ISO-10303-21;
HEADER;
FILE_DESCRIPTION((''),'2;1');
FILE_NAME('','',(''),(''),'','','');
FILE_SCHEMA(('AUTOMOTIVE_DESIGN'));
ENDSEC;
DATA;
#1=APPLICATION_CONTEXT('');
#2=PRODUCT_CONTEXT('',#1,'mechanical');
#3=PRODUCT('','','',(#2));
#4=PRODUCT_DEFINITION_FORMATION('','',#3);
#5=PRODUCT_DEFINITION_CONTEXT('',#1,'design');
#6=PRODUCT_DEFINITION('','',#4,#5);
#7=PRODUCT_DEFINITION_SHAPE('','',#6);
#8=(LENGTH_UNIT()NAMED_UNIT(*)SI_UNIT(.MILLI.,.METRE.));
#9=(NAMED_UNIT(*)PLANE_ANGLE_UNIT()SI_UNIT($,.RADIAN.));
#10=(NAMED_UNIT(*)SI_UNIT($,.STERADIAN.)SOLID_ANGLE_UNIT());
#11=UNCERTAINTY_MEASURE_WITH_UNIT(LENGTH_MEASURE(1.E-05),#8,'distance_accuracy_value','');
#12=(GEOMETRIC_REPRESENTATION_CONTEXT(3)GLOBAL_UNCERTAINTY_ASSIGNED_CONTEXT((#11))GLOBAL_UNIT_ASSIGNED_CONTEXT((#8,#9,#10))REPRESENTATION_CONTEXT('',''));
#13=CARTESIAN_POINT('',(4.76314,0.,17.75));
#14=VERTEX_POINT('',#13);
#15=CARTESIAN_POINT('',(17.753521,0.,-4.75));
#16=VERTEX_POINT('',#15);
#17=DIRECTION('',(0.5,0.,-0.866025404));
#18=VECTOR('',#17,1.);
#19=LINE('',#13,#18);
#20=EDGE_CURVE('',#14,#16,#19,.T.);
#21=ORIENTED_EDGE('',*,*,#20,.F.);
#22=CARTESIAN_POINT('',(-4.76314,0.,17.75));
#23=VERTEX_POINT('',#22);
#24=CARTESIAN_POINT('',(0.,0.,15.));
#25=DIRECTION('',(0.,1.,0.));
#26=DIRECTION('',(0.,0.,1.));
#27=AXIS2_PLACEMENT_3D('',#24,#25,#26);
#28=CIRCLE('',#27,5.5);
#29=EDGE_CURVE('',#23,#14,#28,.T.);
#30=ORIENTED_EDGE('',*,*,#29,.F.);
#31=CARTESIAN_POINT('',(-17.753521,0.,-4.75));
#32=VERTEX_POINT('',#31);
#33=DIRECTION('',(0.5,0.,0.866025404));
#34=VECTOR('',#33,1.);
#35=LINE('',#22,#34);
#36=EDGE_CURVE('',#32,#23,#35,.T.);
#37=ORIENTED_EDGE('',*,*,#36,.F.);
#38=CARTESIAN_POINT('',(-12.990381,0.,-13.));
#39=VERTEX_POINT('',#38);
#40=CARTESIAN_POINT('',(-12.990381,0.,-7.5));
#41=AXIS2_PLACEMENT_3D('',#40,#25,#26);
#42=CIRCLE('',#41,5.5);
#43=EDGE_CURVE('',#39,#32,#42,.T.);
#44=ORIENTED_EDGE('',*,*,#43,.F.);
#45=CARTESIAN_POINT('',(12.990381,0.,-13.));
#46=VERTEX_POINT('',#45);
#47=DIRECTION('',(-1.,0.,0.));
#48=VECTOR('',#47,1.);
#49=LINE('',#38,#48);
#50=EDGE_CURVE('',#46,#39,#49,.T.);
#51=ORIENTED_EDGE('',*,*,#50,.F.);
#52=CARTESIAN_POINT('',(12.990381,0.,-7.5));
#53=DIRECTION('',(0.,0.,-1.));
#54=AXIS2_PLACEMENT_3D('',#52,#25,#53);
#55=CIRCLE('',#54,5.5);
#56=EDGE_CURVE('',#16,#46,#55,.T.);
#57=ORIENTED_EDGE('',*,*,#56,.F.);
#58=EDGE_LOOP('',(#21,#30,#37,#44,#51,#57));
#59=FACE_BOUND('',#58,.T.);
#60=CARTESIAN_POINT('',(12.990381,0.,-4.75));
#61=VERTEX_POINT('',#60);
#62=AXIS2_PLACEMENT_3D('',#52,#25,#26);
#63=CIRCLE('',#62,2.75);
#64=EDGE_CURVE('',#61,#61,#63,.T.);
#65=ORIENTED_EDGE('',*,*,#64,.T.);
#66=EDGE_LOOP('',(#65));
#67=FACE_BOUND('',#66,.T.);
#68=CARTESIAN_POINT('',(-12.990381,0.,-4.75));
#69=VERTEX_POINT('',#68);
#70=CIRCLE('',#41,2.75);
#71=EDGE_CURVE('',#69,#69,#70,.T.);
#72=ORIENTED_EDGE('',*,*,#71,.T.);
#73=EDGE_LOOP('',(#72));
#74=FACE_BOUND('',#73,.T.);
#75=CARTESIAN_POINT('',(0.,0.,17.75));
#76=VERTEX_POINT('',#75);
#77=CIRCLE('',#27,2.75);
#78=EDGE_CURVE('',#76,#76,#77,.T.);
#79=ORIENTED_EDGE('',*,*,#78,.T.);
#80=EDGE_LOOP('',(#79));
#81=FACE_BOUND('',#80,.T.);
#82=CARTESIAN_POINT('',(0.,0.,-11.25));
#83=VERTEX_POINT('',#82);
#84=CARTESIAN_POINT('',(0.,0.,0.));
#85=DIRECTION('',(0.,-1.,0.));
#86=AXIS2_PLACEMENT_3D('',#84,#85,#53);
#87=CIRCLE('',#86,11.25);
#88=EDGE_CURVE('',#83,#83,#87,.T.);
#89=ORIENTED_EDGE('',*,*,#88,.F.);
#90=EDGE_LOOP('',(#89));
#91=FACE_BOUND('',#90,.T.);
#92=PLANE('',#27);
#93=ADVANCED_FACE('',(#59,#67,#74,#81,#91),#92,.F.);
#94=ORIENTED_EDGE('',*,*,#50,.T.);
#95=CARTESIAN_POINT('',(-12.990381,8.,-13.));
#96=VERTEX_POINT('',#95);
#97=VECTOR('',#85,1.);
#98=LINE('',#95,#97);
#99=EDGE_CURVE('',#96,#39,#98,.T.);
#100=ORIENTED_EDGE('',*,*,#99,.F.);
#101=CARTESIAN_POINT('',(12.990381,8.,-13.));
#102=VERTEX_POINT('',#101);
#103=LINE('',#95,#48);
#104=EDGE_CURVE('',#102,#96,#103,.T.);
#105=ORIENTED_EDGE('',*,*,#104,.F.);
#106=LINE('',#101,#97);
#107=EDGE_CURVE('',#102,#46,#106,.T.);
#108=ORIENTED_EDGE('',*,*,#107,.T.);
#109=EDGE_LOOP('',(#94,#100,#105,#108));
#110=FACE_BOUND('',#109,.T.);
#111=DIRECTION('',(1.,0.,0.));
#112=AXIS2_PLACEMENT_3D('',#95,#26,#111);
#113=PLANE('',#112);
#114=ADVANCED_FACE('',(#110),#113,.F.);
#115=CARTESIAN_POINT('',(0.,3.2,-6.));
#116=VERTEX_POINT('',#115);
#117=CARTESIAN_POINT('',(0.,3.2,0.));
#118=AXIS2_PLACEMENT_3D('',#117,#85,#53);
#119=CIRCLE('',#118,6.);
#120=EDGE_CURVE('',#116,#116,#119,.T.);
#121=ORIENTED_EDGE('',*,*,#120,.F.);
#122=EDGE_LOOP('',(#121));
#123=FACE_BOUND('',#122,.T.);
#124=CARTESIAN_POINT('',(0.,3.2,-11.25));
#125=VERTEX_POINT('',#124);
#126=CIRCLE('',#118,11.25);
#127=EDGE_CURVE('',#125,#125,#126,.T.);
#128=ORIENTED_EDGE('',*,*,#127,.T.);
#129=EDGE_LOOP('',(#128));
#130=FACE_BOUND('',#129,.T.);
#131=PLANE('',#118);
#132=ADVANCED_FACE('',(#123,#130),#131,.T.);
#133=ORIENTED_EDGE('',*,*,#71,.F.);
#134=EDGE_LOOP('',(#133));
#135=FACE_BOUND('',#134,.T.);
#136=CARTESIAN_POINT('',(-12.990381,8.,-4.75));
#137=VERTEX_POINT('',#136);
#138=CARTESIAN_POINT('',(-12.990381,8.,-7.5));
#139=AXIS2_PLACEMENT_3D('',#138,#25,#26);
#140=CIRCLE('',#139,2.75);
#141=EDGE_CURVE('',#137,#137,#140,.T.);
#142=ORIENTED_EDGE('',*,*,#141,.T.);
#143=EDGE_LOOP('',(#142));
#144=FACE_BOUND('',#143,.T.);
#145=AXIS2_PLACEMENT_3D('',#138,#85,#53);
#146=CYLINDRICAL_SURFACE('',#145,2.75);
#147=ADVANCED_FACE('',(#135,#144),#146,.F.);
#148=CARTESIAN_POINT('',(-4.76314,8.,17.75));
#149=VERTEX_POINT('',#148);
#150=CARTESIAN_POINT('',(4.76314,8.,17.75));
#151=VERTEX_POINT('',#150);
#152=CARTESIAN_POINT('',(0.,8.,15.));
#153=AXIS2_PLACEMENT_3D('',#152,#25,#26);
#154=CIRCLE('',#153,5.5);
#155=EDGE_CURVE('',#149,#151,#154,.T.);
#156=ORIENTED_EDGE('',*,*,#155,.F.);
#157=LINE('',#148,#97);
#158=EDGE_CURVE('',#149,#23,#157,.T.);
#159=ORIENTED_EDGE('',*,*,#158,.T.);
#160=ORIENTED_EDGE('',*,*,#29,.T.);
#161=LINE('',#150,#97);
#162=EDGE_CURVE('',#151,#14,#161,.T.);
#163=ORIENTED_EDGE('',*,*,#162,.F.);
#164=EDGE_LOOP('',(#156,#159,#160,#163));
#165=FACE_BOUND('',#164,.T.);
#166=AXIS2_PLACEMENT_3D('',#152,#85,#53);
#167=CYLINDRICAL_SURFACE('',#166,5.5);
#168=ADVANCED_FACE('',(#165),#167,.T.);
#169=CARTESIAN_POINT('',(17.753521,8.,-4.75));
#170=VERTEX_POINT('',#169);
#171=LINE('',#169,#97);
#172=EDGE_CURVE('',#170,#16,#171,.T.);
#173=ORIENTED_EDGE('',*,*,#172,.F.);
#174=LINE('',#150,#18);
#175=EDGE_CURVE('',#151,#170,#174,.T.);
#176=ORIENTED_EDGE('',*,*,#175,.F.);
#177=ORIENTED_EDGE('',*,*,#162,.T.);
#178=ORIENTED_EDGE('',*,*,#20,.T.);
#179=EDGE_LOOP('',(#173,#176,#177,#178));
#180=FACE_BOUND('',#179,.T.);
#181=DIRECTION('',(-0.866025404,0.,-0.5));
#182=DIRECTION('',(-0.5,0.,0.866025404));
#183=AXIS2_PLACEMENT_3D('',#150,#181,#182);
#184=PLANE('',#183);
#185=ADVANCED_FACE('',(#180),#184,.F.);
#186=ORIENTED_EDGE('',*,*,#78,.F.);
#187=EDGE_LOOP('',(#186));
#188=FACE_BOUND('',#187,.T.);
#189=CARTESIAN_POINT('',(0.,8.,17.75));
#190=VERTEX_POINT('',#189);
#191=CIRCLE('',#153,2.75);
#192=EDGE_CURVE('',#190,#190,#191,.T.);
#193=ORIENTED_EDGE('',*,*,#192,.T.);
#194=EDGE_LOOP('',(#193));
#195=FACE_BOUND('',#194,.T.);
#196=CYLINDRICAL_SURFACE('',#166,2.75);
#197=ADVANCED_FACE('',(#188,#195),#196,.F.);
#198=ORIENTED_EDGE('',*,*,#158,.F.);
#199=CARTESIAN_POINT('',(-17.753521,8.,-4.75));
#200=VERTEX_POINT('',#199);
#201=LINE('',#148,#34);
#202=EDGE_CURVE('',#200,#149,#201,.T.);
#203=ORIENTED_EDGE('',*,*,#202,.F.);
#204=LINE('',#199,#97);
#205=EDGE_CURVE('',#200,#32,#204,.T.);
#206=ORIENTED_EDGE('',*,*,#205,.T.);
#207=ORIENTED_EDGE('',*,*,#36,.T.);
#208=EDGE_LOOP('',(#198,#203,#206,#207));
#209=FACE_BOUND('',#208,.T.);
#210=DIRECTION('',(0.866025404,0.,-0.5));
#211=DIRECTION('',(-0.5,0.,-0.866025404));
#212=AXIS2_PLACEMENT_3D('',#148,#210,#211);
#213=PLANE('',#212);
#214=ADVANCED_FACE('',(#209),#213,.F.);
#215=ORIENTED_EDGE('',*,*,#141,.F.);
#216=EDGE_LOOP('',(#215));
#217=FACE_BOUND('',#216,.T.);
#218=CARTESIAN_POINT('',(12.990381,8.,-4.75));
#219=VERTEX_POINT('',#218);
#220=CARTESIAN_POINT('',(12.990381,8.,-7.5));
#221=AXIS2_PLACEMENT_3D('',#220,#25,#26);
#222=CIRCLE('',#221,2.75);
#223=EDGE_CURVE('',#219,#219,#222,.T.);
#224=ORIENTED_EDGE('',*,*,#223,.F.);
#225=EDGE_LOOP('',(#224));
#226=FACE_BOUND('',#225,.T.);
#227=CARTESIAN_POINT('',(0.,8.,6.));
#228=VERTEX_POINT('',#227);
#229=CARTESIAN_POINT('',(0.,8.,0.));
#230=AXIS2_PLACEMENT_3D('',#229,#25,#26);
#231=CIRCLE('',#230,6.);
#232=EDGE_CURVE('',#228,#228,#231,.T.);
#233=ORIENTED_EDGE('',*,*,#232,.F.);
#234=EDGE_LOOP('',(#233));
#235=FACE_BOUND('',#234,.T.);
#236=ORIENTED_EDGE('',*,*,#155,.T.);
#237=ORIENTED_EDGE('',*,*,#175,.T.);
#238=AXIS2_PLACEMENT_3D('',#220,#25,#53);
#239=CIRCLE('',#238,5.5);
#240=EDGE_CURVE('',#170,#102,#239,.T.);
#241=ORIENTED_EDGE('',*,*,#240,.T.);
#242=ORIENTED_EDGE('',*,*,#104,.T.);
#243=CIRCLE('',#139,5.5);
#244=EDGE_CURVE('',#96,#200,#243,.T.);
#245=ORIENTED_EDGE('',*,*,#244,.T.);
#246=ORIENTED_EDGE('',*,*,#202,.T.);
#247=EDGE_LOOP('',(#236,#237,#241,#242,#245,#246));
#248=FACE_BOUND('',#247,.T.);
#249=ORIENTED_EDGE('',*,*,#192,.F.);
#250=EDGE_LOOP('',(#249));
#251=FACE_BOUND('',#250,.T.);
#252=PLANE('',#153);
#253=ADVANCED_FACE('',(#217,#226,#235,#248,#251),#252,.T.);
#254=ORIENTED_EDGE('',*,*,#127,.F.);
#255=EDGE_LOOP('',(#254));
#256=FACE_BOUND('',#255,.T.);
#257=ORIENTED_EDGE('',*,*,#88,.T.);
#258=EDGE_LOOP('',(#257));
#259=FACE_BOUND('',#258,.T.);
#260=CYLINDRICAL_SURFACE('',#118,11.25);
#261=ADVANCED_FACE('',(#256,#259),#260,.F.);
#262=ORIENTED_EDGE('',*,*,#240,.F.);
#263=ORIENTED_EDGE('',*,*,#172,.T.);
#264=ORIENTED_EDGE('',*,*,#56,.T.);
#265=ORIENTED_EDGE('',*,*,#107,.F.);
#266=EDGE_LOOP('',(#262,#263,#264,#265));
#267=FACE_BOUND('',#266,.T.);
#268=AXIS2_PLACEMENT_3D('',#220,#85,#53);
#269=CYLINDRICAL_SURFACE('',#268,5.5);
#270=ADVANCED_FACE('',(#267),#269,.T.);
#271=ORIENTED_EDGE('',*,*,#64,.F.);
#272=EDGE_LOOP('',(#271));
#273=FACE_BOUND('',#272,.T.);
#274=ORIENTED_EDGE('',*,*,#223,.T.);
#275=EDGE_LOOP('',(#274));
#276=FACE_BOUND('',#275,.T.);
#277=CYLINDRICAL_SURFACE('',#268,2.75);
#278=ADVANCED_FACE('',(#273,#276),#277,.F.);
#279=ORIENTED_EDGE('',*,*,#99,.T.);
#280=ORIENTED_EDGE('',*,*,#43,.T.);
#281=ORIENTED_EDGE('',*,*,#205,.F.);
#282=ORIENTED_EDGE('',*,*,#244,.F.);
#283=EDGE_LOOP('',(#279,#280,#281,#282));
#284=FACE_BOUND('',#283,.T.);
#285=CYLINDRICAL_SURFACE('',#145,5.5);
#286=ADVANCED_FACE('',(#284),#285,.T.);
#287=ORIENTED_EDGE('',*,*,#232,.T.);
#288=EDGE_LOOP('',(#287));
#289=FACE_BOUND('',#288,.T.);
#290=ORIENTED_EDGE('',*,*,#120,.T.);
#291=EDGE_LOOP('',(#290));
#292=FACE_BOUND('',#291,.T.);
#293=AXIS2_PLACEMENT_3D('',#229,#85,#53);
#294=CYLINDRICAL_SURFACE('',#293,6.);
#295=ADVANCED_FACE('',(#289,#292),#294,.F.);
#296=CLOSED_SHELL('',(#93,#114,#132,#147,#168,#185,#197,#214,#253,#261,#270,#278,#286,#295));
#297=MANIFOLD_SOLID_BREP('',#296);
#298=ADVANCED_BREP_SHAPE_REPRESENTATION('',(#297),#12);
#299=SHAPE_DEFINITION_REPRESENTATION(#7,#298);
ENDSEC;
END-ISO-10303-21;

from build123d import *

# Parameters (mm, degrees)
SKETCH1_R           = 6
SKETCH1_R_2         = 2.75
BOSS_EXTRUDE1_DEPTH = 8
SKETCH2_R           = 11.25
CUT_EXTRUDE1_DEPTH  = 3.2


with BuildPart() as part:
    # Sketch1 → Boss-Extrude1 (new body)
    with BuildSketch(Plane(origin=(0, 0, 0), x_dir=(1, 0, 0), z_dir=(0, 1, 0))):
        with BuildLine():
            Line((-12.990381057, 13), (12.990381057, 13))
            ThreePointArc((12.990381057, 13), (17.753520778, 10.25), (17.753520778, 4.75))
            Line((17.753520778, 4.75), (4.763139721, -17.75))
            ThreePointArc((4.763139721, -17.75), (0, -20.5), (-4.763139721, -17.75))
            Line((-4.763139721, -17.75), (-17.753520778, 4.75))
            ThreePointArc((-17.753520778, 4.75), (-17.753520778, 10.25), (-12.990381057, 13))
        make_face()
        Circle(SKETCH1_R, mode=Mode.SUBTRACT)
        with Locations((-12.990381057, 7.5)):
            Circle(SKETCH1_R_2, mode=Mode.SUBTRACT)
        with Locations((12.990381057, 7.5)):
            Circle(SKETCH1_R_2, mode=Mode.SUBTRACT)
        with Locations((0, -15)):
            Circle(SKETCH1_R_2, mode=Mode.SUBTRACT)
    extrude(amount=BOSS_EXTRUDE1_DEPTH)

    # Sketch2 → Cut-Extrude1 (cut)
    with BuildSketch(Plane.XZ):
        Circle(SKETCH2_R)
    extrude(amount=-CUT_EXTRUDE1_DEPTH, mode=Mode.SUBTRACT)


solid = part.part
